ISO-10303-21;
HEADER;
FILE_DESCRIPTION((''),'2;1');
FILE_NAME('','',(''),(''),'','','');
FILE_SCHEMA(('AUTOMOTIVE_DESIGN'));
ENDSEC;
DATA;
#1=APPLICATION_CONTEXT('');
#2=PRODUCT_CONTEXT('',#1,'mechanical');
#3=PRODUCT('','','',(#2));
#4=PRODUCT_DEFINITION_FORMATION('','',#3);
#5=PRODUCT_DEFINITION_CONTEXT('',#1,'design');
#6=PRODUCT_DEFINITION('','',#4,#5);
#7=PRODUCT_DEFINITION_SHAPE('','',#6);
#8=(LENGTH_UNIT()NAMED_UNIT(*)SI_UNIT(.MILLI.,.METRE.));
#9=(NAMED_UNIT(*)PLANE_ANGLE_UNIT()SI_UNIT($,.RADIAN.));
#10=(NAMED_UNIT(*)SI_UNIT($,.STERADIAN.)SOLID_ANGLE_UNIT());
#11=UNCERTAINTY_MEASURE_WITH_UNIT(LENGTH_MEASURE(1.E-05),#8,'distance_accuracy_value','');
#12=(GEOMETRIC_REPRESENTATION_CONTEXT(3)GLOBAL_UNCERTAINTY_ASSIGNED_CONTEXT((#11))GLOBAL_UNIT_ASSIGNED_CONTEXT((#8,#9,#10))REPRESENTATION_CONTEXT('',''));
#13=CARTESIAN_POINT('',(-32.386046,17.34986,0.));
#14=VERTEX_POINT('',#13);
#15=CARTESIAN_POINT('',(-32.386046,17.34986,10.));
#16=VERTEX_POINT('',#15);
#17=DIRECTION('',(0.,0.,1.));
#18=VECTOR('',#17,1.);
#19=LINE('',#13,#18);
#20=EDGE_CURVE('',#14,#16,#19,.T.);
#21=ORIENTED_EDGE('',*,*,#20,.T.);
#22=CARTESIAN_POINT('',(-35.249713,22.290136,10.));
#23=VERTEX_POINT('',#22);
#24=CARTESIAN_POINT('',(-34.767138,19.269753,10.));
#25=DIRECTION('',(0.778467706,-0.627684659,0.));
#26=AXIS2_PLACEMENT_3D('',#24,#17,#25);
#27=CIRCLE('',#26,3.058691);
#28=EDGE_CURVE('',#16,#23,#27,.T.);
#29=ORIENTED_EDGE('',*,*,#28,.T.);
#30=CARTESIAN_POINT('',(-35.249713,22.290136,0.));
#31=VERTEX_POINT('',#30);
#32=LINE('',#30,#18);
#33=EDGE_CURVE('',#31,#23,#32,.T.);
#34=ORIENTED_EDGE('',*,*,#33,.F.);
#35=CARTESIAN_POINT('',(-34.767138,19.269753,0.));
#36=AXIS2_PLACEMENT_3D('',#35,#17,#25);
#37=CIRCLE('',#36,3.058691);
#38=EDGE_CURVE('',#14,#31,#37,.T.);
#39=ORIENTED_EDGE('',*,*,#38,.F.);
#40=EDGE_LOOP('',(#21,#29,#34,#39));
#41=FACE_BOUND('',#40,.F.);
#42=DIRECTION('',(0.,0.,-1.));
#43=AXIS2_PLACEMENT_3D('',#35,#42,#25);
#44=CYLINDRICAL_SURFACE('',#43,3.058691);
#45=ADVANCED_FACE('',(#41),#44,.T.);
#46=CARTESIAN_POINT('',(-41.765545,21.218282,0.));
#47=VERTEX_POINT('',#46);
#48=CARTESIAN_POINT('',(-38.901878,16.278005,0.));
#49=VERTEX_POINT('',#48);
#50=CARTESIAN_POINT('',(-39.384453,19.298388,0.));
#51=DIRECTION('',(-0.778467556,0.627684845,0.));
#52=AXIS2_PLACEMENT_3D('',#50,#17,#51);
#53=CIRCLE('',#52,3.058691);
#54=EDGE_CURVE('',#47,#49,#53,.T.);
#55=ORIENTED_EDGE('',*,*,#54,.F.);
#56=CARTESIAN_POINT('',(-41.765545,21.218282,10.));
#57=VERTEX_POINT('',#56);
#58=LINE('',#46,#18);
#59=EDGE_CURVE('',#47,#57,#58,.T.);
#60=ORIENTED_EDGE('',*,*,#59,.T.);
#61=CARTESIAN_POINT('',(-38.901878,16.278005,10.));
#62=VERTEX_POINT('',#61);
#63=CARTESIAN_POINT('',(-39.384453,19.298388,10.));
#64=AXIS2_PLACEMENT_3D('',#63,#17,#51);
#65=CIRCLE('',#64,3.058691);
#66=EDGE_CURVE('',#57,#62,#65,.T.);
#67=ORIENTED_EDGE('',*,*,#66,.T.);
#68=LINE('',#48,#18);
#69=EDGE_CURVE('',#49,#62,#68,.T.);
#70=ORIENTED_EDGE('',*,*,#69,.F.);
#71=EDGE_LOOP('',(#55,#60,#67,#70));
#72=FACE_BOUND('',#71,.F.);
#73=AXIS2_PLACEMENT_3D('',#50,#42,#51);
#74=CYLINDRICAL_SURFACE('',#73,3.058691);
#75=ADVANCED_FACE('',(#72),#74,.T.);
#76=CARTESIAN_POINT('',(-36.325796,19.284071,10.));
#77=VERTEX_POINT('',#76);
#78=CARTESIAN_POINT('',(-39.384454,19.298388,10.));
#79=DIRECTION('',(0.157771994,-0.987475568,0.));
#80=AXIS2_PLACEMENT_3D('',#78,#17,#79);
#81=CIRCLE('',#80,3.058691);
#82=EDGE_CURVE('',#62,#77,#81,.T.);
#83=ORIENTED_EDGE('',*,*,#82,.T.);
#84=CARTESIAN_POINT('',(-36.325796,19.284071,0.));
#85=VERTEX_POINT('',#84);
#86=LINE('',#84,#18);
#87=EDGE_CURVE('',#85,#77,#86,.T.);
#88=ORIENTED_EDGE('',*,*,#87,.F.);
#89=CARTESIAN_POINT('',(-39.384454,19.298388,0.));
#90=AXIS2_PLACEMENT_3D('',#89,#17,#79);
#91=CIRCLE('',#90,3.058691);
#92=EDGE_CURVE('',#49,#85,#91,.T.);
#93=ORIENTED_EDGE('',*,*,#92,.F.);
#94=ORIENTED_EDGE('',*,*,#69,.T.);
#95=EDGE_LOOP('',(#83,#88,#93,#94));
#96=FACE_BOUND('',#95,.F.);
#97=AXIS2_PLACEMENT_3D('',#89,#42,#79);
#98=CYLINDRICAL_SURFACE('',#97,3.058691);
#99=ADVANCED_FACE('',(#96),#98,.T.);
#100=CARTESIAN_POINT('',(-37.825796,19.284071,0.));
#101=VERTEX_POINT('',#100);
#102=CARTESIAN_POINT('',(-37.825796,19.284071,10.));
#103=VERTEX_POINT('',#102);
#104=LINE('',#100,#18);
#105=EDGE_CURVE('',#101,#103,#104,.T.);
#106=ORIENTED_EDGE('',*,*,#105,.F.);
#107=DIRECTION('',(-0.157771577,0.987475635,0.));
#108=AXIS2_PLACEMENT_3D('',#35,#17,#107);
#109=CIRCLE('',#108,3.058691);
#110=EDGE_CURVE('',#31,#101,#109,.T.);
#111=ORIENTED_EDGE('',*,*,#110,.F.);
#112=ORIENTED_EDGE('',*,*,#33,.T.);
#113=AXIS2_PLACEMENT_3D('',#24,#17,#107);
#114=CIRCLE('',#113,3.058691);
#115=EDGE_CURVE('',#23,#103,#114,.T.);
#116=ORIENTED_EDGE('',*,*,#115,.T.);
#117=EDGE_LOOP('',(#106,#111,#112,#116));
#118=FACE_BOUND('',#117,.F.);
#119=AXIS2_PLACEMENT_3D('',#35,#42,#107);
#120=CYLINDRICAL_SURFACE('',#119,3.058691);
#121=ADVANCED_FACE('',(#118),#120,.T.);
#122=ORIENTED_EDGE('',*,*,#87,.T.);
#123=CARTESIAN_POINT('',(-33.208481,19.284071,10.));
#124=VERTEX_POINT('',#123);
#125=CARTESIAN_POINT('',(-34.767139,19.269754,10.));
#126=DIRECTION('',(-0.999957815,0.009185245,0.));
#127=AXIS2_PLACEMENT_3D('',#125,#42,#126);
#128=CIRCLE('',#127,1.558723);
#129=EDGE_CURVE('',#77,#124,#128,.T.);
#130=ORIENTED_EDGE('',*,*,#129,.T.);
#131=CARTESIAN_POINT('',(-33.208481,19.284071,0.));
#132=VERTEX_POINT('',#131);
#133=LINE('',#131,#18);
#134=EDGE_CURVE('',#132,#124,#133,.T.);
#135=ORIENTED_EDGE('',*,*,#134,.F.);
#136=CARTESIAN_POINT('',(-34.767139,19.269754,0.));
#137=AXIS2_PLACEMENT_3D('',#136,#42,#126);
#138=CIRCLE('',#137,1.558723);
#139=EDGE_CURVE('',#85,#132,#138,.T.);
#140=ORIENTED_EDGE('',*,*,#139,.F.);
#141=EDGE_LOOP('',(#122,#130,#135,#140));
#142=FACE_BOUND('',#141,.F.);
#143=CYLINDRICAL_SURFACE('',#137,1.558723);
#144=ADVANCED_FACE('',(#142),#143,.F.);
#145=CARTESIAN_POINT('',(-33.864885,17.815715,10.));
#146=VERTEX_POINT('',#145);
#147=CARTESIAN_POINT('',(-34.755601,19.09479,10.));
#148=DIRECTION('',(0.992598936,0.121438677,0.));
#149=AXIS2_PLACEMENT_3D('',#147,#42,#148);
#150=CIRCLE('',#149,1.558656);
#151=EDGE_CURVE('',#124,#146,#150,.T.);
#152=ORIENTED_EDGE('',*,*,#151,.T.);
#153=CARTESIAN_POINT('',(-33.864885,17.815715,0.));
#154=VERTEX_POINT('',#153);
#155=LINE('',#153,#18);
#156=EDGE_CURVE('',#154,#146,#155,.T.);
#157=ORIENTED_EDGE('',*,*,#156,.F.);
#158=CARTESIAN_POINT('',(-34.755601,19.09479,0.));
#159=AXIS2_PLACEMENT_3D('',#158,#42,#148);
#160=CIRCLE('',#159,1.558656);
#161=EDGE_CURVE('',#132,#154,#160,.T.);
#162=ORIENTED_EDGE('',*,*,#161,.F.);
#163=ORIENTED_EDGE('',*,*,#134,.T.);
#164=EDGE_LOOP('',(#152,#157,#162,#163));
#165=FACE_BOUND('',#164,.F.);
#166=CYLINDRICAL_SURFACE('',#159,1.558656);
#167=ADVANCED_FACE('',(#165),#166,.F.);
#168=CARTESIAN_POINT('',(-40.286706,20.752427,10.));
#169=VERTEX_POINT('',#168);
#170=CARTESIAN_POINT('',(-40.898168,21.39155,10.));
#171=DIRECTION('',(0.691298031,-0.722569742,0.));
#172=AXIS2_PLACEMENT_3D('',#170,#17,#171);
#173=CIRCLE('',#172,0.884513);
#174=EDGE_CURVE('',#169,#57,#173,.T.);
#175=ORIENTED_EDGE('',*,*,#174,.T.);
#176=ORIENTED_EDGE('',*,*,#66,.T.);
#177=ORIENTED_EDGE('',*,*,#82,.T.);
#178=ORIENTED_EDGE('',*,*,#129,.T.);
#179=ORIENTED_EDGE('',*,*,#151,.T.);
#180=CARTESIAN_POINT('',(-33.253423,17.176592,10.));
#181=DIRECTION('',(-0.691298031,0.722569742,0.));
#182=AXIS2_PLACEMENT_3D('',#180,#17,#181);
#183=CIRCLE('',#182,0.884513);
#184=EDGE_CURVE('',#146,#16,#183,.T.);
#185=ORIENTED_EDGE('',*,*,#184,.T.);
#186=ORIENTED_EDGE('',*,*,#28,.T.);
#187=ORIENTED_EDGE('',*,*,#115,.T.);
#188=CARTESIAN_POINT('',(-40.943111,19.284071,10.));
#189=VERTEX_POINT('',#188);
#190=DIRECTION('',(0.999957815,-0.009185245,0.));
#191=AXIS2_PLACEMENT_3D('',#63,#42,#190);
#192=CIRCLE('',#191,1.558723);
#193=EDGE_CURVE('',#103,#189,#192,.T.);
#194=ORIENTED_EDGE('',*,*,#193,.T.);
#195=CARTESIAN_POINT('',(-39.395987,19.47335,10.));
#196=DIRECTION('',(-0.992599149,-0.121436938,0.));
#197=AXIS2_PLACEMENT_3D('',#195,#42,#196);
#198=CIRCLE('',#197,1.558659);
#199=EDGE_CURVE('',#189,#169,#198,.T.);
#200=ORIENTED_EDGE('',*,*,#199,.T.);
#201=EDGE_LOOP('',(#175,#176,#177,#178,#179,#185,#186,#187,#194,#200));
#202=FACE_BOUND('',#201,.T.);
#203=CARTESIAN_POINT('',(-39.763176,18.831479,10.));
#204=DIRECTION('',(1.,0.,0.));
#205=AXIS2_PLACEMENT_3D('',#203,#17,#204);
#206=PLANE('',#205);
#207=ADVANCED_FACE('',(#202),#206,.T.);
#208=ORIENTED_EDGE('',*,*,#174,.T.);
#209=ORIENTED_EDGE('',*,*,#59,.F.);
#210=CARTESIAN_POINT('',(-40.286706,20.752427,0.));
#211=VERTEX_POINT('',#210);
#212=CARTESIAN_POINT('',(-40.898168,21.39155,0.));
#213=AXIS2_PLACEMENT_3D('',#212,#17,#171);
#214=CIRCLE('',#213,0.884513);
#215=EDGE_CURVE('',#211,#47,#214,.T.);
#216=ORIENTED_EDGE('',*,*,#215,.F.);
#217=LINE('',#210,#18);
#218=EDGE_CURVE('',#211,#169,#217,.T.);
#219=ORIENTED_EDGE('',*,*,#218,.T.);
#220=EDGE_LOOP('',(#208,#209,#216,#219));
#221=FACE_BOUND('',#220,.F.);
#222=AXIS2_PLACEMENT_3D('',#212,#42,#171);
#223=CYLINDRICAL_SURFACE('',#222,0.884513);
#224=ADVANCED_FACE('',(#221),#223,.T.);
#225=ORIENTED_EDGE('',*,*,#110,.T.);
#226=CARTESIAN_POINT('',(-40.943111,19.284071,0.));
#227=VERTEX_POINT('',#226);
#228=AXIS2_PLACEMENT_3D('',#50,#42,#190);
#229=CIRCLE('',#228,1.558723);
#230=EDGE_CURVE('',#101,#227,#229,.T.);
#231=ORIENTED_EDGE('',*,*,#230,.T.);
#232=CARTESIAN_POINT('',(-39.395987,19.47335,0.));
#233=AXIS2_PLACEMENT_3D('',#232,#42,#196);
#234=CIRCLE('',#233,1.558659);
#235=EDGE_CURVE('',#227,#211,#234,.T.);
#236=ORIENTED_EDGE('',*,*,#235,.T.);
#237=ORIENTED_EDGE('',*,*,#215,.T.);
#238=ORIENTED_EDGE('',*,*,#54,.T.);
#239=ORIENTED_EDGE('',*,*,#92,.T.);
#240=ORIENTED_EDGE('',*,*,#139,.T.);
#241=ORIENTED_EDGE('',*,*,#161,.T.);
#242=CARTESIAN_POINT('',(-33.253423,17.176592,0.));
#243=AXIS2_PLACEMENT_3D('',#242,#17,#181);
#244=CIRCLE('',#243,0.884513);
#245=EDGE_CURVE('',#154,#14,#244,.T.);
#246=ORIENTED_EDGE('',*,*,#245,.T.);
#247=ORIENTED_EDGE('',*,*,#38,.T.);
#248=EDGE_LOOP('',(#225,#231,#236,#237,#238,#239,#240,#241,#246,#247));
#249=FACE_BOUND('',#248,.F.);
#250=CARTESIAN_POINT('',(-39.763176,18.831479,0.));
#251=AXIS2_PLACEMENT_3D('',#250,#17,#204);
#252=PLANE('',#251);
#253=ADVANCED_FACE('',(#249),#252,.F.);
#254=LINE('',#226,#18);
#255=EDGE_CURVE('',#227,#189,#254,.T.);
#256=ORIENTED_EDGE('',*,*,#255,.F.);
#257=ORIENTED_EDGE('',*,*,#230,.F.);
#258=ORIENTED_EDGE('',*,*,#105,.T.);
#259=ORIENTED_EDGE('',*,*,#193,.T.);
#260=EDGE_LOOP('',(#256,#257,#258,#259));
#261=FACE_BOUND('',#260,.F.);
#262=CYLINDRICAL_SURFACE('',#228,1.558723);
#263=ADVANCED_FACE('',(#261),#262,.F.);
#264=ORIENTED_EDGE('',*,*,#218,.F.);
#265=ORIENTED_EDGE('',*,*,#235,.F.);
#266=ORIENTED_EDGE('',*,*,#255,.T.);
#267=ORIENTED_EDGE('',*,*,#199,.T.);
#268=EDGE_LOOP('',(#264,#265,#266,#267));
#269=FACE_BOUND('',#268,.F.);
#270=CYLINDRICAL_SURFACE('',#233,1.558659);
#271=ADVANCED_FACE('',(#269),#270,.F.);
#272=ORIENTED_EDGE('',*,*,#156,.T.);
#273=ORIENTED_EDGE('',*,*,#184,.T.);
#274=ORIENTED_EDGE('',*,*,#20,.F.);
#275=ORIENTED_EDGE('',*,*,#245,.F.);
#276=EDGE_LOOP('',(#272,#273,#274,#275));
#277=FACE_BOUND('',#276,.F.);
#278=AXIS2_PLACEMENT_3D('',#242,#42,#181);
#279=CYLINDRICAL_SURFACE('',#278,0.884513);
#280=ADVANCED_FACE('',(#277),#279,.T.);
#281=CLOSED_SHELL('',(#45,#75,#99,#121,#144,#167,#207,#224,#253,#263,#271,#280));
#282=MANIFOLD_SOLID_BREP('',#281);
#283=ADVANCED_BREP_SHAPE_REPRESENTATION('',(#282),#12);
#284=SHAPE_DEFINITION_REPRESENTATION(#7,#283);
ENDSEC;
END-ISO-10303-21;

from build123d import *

# Parameters (mm, degrees)
F1_DEPTH = 10


with BuildPart() as f1:
    # F0 (on Top) → F1 (new body)
    with BuildSketch(Plane.XY):
        with BuildLine():
            ThreePointArc((-38.901878, 16.278005), (-37.061914, 17.308061), (-36.325796, 19.284071))
            Line((-36.325796, 19.284071), (-37.825796, 19.284071))
            ThreePointArc((-37.825796, 19.284071), (-39.384453, 17.739665), (-40.943111, 19.284071))
            ThreePointArc((-40.943111, 19.284071), (-40.818937, 20.109457), (-40.286706, 20.752427))
            ThreePointArc((-40.286706, 20.752427), (-40.632409, 22.235194), (-41.765545, 21.218282))
            ThreePointArc((-41.765545, 21.218282), (-42.03071, 17.764466), (-38.901878, 16.278005))
        make_face()
        with BuildLine():
            ThreePointArc((-36.325796, 19.284071), (-34.767138, 20.828477), (-33.208481, 19.284071))
            ThreePointArc((-33.208481, 19.284071), (-33.332654, 18.458685), (-33.864885, 17.815715))
            ThreePointArc((-33.864885, 17.815715), (-33.519182, 16.332948), (-32.386046, 17.34986))
            ThreePointArc((-32.386046, 17.34986), (-32.120882, 20.803676), (-35.249713, 22.290136))
            ThreePointArc((-35.249713, 22.290136), (-37.089678, 21.26008), (-37.825796, 19.284071))
            Line((-37.825796, 19.284071), (-36.325796, 19.284071))
        make_face()
    extrude(amount=F1_DEPTH)


solid = f1.part
